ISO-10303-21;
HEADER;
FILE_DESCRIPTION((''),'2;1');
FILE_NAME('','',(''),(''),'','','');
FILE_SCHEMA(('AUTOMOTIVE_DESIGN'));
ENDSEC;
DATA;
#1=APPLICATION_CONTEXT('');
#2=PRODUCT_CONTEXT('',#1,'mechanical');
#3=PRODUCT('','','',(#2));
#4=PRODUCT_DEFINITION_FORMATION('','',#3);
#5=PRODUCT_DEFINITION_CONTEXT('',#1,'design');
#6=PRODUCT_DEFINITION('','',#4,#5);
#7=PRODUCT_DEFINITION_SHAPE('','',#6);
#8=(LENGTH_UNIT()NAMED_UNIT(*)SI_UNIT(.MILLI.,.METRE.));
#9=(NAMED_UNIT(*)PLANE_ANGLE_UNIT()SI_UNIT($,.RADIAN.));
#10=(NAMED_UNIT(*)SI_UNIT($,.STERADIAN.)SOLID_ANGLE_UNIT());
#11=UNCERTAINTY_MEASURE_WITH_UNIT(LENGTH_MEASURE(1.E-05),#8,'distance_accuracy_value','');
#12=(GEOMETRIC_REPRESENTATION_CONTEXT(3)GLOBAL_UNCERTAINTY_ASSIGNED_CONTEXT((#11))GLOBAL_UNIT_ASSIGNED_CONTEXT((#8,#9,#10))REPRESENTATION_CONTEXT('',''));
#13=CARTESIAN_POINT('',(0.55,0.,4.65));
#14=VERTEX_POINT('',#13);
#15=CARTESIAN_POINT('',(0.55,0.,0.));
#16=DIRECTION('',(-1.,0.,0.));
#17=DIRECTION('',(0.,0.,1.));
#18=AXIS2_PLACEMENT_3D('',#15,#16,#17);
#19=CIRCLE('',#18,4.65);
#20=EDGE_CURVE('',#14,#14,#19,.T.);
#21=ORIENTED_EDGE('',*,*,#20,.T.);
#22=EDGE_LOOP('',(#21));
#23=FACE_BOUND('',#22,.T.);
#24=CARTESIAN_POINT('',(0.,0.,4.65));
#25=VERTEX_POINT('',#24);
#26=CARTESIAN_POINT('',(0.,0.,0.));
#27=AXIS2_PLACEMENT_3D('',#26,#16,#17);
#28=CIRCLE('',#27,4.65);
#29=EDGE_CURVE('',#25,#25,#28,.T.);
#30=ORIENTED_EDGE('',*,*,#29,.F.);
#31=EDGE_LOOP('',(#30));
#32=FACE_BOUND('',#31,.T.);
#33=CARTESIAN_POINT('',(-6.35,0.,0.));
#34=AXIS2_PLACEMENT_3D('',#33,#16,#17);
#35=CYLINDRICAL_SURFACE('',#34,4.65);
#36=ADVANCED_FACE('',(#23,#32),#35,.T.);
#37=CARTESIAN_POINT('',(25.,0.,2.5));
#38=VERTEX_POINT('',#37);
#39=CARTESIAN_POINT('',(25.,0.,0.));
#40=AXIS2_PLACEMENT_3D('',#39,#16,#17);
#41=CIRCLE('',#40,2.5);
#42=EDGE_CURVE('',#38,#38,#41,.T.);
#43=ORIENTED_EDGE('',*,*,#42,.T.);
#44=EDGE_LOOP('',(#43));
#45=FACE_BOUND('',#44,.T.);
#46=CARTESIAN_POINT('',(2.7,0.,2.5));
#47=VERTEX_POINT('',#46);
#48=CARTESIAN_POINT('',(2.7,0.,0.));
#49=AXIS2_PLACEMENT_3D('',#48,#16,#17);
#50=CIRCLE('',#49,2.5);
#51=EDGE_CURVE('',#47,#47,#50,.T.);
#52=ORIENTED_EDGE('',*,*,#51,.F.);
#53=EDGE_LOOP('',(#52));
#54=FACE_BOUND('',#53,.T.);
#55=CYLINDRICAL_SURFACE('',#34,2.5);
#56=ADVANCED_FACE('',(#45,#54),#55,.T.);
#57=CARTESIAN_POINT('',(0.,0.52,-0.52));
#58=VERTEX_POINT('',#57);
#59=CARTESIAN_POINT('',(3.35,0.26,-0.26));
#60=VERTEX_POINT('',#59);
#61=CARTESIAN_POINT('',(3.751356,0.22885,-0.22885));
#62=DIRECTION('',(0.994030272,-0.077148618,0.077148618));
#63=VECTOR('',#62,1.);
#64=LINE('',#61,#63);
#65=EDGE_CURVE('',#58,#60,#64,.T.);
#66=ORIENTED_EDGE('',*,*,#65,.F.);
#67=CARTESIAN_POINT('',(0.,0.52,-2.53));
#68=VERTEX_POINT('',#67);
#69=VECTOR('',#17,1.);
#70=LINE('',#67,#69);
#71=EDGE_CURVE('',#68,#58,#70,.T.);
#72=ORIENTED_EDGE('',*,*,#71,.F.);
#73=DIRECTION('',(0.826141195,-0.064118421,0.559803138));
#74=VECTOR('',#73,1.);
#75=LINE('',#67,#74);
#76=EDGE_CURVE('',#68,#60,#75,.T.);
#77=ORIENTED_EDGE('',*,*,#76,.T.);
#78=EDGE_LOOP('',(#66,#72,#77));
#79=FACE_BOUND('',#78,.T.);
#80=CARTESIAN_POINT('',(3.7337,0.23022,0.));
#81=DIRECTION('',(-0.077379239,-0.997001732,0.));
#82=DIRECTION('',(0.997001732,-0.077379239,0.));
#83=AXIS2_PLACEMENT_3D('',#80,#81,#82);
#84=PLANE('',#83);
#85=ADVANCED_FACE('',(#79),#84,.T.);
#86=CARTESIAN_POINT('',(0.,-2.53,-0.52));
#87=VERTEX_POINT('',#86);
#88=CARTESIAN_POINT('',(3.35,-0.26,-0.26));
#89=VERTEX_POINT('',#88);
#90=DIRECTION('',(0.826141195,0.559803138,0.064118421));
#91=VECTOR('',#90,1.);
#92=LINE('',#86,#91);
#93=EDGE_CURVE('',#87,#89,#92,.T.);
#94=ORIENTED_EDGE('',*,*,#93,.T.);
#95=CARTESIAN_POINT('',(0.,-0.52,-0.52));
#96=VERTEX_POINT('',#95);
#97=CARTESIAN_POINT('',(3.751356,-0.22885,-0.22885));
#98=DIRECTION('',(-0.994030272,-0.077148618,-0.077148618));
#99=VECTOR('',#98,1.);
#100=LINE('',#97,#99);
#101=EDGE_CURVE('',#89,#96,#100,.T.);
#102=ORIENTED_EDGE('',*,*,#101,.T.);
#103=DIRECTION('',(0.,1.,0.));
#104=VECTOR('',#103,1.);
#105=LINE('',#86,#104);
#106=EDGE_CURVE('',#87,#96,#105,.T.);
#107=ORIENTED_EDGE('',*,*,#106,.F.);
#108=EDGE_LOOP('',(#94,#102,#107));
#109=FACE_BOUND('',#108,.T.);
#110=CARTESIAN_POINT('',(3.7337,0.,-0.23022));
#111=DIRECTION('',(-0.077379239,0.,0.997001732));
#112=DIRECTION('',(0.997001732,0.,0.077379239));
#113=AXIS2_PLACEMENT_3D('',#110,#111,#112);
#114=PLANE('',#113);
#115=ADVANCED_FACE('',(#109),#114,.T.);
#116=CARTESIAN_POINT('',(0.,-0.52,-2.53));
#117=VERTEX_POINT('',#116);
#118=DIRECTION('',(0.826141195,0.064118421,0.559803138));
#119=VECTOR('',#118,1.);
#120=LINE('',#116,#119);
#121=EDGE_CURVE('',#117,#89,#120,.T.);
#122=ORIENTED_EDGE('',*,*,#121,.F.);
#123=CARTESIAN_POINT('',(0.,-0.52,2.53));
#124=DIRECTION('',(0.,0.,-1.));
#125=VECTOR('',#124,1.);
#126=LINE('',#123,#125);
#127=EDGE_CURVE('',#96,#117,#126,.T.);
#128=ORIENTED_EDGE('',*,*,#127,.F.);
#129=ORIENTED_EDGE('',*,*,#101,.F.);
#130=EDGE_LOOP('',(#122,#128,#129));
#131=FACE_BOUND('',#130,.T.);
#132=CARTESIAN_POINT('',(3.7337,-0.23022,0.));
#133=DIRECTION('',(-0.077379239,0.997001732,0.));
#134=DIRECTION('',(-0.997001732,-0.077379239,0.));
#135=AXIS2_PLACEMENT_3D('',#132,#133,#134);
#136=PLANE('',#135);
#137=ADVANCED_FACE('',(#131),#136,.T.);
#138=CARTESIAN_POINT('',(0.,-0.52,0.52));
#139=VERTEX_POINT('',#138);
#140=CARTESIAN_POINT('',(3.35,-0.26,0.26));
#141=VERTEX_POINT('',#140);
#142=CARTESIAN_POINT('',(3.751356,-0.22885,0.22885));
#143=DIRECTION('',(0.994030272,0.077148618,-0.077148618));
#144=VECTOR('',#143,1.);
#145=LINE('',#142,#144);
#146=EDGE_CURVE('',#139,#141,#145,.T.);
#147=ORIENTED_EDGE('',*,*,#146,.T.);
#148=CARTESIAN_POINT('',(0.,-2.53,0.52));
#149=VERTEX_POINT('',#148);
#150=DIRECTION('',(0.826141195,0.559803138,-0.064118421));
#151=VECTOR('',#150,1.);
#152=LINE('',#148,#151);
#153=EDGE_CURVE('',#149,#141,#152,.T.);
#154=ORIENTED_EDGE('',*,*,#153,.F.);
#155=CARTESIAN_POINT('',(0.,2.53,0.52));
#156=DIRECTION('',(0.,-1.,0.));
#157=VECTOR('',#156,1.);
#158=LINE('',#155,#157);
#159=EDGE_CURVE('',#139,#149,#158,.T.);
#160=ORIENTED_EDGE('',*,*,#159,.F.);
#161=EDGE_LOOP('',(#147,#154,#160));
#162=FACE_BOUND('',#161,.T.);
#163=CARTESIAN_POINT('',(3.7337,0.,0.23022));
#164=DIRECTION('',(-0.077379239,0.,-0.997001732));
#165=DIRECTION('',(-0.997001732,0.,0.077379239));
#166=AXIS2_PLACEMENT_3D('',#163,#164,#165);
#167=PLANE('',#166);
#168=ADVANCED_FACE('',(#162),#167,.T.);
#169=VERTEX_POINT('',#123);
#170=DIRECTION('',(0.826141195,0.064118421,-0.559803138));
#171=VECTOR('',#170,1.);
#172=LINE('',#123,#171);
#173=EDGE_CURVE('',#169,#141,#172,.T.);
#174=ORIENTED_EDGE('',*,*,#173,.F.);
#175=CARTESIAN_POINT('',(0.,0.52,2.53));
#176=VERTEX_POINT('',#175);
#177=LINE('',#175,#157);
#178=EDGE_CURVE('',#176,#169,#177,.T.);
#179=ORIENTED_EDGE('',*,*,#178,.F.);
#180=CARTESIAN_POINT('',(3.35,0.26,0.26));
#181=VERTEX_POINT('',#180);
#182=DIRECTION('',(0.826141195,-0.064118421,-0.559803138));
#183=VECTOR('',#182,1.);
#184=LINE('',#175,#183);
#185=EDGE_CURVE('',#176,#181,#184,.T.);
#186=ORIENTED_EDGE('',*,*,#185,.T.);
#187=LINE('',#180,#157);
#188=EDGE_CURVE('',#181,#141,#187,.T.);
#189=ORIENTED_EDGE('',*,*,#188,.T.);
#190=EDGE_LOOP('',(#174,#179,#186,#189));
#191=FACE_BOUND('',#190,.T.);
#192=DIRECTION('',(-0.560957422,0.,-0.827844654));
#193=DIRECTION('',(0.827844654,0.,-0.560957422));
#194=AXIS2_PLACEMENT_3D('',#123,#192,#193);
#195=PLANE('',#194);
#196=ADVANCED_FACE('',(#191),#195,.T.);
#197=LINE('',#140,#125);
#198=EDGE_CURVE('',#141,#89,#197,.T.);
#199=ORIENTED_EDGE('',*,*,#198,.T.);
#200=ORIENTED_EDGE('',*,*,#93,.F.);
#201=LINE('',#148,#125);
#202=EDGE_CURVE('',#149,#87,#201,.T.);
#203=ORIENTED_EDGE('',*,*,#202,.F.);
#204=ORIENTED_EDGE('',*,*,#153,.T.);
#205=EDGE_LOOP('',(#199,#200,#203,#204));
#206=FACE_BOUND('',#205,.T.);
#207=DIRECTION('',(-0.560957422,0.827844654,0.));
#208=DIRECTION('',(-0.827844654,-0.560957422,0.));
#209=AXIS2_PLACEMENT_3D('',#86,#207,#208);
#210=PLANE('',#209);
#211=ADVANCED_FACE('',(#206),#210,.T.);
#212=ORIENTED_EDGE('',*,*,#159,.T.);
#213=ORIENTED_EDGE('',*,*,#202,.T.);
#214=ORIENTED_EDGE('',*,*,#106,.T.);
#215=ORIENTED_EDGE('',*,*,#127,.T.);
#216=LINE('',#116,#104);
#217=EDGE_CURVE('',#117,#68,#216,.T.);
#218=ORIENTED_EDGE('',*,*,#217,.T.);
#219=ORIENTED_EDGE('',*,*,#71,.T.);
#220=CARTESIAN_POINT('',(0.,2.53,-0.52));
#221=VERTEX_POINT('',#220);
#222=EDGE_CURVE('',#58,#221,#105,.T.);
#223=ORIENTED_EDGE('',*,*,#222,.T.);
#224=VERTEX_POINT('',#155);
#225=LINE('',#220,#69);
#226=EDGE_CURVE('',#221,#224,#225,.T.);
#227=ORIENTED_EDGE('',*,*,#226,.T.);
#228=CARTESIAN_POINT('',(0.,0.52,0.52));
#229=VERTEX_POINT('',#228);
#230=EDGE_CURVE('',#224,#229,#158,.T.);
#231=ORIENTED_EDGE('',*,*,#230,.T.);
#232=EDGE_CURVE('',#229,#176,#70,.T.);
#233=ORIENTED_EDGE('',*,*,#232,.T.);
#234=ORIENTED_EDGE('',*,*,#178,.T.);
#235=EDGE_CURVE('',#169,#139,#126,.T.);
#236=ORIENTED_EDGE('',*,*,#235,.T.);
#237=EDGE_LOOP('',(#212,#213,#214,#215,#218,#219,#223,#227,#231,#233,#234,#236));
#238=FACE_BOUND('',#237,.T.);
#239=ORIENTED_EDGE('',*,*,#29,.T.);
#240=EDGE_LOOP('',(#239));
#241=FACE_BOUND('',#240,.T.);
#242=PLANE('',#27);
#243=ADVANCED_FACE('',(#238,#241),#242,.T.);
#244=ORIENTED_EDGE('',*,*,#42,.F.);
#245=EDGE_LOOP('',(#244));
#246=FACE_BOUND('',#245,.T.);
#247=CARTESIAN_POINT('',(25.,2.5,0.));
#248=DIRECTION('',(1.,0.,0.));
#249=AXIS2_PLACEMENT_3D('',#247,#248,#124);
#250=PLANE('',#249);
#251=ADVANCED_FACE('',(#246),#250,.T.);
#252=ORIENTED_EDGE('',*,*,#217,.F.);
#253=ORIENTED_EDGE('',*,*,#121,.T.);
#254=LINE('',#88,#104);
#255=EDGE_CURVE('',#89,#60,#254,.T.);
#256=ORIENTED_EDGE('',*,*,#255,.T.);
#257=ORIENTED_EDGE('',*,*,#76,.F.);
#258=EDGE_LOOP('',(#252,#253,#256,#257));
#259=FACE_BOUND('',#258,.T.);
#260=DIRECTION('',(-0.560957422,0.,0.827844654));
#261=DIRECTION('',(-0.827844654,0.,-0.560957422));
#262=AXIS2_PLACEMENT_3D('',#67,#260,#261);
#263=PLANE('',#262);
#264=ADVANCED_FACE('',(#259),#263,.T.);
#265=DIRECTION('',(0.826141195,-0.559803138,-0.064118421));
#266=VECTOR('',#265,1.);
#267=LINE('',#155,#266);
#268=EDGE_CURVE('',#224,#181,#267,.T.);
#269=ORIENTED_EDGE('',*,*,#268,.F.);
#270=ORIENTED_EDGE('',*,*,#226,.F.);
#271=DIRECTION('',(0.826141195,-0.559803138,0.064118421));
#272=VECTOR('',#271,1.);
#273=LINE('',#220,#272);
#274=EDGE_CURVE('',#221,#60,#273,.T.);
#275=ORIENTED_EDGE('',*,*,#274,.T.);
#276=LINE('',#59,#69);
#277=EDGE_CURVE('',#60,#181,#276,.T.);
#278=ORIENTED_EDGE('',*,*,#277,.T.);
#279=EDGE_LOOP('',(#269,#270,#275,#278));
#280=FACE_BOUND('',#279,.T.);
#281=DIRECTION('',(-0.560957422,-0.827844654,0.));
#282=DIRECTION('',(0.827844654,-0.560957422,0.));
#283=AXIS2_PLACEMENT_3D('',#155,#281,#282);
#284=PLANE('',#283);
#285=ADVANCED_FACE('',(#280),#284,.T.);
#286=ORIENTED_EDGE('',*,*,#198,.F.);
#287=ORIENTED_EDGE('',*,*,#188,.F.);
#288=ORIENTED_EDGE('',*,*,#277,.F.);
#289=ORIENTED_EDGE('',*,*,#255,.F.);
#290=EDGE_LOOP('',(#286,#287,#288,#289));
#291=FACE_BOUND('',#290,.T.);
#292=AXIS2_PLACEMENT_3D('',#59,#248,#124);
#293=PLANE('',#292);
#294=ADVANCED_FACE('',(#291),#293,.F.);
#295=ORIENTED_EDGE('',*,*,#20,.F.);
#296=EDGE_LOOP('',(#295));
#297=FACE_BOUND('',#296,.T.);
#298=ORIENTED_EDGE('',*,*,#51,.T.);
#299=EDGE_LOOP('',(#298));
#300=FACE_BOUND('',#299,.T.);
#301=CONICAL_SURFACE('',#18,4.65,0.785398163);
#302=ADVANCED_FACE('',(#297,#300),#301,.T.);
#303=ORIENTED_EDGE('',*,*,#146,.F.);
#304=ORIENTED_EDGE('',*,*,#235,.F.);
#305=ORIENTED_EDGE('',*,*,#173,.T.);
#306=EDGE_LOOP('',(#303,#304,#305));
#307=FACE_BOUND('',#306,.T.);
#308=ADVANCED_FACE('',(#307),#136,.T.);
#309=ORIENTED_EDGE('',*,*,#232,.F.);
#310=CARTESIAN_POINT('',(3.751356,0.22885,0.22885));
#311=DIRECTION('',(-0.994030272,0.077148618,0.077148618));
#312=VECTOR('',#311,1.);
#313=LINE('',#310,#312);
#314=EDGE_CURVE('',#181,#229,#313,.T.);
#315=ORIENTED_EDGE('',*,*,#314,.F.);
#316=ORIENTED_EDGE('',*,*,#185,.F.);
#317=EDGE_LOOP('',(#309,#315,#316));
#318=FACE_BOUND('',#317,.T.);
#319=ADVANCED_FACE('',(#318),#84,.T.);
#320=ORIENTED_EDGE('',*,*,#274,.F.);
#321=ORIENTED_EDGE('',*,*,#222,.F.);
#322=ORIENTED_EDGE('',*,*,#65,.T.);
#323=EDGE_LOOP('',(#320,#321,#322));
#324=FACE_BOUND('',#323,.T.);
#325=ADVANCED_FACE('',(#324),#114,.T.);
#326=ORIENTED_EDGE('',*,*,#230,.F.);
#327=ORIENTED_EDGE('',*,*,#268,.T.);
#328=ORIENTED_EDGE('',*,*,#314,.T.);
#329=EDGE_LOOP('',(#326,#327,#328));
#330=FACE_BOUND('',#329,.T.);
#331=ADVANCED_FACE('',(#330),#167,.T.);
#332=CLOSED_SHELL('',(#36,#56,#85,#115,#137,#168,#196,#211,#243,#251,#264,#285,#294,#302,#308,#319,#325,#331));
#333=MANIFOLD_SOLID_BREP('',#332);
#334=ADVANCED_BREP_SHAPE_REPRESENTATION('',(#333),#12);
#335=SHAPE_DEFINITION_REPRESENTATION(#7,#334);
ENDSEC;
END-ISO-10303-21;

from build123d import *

# Parameters (mm, degrees)
CIRPATTERN1_COUNT = 2
CIRPATTERN1_ANGLE = 90


with BuildPart() as part:
    # BodySke → Base-Revolve (revolve)
    with BuildSketch(Plane.XY, mode=Mode.PRIVATE) as base_revolve_sk:
        Polygon((0, 0), (0, 4.65), (0.55, 4.65), (2.7, 2.5), (25, 2.5), (25, 0), align=None)
    revolve(base_revolve_sk.sketch.rotate(Axis((-6.35, 0, 0), (1, 0, 0)), 90), axis=Axis((-6.35, 0, 0), (1, 0, 0)))

    # Sketch3 → Cross section 0
    with BuildSketch(Plane.ZY):
        with BuildLine():
            Line((-0.52, 2.53), (0.52, 2.53))
            Line((0.52, 2.53), (0.52, -2.53))
            Line((0.52, -2.53), (-0.52, -2.53))
            Line((-0.52, -2.53), (-0.52, 2.53))
        make_face()
    # Sketch4 → Cross section 1
    with BuildSketch(Plane.ZY.offset(-3.35)):
        with BuildLine():
            Line((-0.26, 0.26), (0.26, 0.26))
            Line((0.26, 0.26), (0.26, -0.26))
            Line((0.26, -0.26), (-0.26, -0.26))
            Line((-0.26, -0.26), (-0.26, 0.26))
        make_face()
    cross = loft(mode=Mode.SUBTRACT)

    # CirPattern1: Cross ×2 about axis
    cirpattern1_axis = Axis((0, 0, 0), (1, 0, 0))
    for i in range(1, CIRPATTERN1_COUNT):
        add(cross.rotate(cirpattern1_axis, i * CIRPATTERN1_ANGLE / (CIRPATTERN1_COUNT - 1)), mode=Mode.SUBTRACT)


solid = part.part
